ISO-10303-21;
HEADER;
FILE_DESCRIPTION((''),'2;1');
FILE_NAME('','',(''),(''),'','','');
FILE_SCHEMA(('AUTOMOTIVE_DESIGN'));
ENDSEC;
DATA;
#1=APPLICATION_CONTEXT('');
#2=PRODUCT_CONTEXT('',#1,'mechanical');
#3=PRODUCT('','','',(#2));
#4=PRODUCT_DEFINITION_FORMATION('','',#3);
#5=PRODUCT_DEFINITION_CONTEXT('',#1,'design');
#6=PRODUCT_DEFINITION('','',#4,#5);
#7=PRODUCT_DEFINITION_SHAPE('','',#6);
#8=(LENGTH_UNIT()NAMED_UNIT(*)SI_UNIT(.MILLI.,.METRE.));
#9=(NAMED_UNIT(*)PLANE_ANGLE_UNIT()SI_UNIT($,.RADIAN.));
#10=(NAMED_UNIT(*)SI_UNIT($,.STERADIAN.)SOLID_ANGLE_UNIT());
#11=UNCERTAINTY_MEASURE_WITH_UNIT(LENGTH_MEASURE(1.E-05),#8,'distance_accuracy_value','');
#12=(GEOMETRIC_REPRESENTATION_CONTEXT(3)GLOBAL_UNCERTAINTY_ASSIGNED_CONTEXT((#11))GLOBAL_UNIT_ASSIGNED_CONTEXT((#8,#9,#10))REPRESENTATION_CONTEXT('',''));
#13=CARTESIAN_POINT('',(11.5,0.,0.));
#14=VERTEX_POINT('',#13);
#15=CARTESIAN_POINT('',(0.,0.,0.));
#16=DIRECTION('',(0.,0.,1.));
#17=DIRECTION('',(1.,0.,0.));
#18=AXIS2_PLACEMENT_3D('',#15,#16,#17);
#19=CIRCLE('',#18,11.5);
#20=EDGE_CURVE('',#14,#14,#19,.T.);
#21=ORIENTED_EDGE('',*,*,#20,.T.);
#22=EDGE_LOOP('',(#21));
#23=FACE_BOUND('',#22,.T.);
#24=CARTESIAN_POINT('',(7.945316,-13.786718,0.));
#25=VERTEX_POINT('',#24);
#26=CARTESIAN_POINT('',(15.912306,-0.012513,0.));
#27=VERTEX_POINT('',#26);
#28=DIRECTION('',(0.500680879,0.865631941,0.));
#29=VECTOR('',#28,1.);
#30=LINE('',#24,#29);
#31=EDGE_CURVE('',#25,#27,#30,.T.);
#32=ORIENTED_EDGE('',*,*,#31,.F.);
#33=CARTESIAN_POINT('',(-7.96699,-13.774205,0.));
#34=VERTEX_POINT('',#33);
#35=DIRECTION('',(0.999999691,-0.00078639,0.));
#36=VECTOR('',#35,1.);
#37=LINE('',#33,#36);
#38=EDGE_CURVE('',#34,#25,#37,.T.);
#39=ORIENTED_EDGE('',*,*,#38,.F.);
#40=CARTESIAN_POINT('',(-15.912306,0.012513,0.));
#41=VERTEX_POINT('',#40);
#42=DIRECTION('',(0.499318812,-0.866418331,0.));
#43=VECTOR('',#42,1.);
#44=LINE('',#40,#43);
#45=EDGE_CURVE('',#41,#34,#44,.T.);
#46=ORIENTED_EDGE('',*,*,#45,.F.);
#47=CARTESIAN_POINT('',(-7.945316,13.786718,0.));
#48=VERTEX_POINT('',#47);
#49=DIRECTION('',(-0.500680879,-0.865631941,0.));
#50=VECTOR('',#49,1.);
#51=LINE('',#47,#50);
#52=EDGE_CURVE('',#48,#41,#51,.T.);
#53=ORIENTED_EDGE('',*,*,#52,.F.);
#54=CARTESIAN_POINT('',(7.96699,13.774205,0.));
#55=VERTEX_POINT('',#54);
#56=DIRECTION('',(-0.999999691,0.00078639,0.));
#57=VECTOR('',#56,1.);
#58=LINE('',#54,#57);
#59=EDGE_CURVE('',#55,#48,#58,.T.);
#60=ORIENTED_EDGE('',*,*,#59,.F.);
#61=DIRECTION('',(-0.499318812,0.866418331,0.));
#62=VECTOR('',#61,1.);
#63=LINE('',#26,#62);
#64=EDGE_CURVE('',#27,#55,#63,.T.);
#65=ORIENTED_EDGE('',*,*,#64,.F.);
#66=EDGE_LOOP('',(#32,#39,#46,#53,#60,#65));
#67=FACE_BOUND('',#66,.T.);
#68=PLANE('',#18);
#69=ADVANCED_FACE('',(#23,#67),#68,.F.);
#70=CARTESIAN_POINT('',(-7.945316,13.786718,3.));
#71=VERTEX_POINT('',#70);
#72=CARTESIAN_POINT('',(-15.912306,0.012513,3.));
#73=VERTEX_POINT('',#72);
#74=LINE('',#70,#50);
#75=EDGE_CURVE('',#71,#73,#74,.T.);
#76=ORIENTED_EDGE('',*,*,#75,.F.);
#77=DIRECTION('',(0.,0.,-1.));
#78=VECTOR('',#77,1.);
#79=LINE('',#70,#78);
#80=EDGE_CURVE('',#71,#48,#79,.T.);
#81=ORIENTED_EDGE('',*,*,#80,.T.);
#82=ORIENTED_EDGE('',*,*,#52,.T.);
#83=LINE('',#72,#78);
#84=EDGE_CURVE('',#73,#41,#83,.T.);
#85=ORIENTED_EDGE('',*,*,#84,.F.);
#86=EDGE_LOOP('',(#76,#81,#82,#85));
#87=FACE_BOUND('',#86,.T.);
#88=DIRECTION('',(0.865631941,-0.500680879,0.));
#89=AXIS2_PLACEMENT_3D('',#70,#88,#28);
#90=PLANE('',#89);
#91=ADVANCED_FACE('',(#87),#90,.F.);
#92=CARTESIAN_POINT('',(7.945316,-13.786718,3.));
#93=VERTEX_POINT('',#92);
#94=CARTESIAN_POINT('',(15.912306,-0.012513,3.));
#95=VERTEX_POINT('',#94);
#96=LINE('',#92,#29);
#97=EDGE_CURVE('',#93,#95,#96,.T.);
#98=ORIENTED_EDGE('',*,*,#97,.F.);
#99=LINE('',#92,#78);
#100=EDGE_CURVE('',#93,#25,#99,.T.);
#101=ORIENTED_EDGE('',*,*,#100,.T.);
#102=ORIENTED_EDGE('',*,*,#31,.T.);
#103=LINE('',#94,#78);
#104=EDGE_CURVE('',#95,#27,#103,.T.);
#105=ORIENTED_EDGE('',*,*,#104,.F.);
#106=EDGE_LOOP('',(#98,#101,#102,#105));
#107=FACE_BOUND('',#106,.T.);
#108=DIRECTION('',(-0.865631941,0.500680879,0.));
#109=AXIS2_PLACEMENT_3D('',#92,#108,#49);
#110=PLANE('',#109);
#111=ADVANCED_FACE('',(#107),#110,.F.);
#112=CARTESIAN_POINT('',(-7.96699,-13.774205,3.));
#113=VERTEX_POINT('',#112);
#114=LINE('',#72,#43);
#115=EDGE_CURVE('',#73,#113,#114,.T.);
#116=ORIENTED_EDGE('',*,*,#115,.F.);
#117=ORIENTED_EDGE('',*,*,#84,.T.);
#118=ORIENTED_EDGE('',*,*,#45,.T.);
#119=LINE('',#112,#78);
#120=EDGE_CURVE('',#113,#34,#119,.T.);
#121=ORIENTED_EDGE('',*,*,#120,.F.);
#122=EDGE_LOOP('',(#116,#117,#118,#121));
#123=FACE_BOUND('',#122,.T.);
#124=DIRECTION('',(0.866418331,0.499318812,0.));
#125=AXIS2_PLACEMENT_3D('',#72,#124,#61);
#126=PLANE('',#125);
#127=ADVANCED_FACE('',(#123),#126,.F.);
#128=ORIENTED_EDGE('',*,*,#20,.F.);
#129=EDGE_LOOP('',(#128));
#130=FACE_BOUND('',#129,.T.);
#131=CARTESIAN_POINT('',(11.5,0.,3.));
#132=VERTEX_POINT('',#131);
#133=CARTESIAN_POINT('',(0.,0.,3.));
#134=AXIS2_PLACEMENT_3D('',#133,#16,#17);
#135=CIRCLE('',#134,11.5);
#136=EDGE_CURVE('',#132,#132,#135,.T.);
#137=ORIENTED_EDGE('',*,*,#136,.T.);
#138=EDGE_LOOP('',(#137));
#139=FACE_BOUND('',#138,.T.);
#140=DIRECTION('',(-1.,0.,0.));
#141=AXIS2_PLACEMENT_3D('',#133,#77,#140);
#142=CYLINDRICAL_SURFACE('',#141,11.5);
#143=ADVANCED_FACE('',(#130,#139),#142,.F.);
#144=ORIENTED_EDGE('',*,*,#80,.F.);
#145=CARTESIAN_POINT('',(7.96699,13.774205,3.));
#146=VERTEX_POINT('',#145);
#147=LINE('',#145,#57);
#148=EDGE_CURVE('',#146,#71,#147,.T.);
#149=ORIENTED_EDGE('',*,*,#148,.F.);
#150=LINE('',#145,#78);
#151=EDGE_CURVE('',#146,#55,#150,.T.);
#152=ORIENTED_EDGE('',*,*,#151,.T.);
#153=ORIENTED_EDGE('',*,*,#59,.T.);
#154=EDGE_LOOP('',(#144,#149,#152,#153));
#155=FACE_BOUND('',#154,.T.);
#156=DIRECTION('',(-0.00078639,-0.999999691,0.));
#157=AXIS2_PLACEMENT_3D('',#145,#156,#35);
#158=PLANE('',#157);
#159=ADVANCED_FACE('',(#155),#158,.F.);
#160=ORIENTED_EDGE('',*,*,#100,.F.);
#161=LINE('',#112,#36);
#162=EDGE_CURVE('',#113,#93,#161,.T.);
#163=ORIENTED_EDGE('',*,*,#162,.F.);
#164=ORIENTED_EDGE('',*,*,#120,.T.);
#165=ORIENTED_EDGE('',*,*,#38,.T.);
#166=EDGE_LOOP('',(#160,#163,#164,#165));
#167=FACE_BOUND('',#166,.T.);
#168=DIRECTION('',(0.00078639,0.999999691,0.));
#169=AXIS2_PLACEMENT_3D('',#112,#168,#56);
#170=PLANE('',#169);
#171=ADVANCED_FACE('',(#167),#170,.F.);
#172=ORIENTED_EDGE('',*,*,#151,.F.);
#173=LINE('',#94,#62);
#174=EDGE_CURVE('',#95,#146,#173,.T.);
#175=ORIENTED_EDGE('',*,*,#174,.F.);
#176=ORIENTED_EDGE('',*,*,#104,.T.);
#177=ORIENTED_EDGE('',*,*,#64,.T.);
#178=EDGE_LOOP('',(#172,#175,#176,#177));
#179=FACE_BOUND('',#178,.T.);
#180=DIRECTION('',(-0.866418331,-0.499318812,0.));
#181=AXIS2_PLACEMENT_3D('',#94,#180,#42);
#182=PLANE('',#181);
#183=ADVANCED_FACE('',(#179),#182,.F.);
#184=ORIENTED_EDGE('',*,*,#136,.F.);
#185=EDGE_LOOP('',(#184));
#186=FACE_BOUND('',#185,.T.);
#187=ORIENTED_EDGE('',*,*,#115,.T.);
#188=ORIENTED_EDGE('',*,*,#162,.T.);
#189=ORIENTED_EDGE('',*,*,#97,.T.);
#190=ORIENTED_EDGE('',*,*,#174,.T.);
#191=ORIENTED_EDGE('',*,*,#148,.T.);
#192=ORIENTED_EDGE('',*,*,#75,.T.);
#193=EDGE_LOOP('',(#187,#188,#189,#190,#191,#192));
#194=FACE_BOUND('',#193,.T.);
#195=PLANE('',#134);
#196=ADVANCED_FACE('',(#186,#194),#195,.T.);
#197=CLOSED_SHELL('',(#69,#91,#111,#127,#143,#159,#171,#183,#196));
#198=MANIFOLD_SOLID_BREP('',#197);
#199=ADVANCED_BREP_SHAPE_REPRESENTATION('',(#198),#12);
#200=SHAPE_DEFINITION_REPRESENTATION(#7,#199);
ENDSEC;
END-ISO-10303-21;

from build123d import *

# Parameters (mm, degrees)
CROQUIS1_R              = 11.5
SALIENTE_EXTRUIR1_DEPTH = 3


with BuildPart() as part:
    # Croquis1 → Saliente-Extruir1 (new body)
    with BuildSketch(Plane.XY):
        Polygon((7.966989997, 13.774204899), (-7.94531636, 13.786718179), (-15.912306358, 0.01251328), (-7.966989997, -13.774204899), (7.94531636, -13.786718179), (15.912306358, -0.01251328), align=None)
        Circle(CROQUIS1_R, mode=Mode.SUBTRACT)
    extrude(amount=SALIENTE_EXTRUIR1_DEPTH)


solid = part.part
